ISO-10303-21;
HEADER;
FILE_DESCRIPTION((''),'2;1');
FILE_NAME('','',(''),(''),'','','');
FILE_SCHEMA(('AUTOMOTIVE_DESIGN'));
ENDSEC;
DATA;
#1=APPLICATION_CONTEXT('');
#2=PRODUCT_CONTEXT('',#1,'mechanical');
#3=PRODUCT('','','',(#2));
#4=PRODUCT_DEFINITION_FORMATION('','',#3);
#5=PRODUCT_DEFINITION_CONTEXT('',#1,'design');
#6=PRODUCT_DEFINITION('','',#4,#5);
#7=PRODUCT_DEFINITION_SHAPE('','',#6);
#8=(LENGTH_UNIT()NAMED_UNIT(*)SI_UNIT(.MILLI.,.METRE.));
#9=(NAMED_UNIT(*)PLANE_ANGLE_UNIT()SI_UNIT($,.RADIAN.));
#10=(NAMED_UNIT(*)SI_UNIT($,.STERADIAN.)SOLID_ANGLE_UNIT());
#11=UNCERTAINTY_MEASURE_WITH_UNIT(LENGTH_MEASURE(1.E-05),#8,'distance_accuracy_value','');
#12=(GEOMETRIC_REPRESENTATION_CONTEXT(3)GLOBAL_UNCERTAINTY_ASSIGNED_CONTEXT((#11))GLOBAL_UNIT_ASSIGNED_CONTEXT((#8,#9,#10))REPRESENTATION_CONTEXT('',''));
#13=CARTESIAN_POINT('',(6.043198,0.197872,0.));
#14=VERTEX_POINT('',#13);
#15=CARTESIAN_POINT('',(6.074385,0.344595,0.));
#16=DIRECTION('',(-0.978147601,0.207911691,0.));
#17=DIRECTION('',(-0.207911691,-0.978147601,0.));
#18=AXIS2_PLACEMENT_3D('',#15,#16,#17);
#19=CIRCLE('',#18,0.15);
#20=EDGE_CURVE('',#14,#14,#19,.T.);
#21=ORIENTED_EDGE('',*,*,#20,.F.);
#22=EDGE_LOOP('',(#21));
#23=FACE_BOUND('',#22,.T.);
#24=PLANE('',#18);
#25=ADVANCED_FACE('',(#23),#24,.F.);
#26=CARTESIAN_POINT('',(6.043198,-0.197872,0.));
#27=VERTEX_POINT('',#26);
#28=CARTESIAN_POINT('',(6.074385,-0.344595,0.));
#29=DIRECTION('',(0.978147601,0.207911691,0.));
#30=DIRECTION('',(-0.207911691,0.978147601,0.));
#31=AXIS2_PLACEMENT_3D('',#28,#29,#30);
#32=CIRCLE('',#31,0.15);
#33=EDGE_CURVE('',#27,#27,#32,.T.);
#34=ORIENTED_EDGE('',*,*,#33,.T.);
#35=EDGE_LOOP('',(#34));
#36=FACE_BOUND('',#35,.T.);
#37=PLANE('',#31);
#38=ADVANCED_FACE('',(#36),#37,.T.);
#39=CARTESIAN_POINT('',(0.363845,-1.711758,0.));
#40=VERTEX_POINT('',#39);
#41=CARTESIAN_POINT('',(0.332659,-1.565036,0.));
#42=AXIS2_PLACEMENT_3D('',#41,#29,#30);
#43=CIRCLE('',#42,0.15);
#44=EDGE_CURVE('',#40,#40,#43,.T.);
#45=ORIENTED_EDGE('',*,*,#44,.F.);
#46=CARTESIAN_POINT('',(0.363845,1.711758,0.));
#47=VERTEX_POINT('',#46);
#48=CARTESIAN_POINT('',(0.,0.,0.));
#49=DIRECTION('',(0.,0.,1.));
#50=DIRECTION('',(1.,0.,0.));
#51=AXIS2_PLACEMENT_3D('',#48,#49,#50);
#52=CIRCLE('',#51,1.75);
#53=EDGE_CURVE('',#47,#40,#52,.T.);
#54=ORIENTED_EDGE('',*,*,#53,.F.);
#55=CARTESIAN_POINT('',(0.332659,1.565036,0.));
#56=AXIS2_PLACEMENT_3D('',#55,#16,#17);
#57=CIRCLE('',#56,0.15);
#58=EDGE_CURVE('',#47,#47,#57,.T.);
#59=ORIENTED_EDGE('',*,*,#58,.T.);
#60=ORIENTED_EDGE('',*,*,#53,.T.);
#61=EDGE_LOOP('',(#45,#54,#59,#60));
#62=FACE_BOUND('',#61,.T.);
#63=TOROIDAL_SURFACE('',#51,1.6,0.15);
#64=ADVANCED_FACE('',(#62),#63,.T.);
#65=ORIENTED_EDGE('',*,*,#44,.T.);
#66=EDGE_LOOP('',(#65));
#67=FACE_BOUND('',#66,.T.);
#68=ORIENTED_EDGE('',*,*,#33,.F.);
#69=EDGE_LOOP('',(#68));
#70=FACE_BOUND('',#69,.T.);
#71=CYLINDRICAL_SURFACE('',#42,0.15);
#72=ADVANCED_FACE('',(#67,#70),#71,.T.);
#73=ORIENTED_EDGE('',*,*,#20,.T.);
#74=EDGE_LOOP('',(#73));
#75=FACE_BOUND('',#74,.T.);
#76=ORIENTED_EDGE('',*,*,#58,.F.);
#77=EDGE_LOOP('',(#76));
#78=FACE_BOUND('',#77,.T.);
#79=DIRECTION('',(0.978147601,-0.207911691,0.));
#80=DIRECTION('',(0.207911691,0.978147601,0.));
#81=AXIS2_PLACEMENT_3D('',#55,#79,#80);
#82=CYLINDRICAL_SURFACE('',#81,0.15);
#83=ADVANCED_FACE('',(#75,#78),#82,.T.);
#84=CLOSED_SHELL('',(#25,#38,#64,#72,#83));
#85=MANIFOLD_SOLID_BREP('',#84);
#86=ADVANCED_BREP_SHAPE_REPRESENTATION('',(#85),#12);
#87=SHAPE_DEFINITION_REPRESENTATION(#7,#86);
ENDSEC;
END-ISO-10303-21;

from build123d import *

# Parameters (mm, degrees)
SKETCH2_R = 0.15


with BuildPart() as part:
    # Sweep1: sweep along a curve in space
    with BuildLine() as sweep1_path:
        Line((6.074385122, 0.344594536, 0), (0.332658705, 1.565036161, 0))
        ThreePointArc((0.332658705, 1.565036161, 0), (-1.6, 0, 0), (0.332658705, -1.565036161, 0))
        Line((0.332658705, -1.565036161, 0), (6.074385122, -0.344594536, 0))
    # Sketch2 → Sweep1 (sweep)
    with BuildSketch(Plane(origin=(6.074385122, 0.344594536, 0), x_dir=(0, 0, 1), z_dir=(-0.978147601, 0.207911691, 0))):
        Circle(SKETCH2_R)
    sweep(path=sweep1_path.line)


solid = part.part
